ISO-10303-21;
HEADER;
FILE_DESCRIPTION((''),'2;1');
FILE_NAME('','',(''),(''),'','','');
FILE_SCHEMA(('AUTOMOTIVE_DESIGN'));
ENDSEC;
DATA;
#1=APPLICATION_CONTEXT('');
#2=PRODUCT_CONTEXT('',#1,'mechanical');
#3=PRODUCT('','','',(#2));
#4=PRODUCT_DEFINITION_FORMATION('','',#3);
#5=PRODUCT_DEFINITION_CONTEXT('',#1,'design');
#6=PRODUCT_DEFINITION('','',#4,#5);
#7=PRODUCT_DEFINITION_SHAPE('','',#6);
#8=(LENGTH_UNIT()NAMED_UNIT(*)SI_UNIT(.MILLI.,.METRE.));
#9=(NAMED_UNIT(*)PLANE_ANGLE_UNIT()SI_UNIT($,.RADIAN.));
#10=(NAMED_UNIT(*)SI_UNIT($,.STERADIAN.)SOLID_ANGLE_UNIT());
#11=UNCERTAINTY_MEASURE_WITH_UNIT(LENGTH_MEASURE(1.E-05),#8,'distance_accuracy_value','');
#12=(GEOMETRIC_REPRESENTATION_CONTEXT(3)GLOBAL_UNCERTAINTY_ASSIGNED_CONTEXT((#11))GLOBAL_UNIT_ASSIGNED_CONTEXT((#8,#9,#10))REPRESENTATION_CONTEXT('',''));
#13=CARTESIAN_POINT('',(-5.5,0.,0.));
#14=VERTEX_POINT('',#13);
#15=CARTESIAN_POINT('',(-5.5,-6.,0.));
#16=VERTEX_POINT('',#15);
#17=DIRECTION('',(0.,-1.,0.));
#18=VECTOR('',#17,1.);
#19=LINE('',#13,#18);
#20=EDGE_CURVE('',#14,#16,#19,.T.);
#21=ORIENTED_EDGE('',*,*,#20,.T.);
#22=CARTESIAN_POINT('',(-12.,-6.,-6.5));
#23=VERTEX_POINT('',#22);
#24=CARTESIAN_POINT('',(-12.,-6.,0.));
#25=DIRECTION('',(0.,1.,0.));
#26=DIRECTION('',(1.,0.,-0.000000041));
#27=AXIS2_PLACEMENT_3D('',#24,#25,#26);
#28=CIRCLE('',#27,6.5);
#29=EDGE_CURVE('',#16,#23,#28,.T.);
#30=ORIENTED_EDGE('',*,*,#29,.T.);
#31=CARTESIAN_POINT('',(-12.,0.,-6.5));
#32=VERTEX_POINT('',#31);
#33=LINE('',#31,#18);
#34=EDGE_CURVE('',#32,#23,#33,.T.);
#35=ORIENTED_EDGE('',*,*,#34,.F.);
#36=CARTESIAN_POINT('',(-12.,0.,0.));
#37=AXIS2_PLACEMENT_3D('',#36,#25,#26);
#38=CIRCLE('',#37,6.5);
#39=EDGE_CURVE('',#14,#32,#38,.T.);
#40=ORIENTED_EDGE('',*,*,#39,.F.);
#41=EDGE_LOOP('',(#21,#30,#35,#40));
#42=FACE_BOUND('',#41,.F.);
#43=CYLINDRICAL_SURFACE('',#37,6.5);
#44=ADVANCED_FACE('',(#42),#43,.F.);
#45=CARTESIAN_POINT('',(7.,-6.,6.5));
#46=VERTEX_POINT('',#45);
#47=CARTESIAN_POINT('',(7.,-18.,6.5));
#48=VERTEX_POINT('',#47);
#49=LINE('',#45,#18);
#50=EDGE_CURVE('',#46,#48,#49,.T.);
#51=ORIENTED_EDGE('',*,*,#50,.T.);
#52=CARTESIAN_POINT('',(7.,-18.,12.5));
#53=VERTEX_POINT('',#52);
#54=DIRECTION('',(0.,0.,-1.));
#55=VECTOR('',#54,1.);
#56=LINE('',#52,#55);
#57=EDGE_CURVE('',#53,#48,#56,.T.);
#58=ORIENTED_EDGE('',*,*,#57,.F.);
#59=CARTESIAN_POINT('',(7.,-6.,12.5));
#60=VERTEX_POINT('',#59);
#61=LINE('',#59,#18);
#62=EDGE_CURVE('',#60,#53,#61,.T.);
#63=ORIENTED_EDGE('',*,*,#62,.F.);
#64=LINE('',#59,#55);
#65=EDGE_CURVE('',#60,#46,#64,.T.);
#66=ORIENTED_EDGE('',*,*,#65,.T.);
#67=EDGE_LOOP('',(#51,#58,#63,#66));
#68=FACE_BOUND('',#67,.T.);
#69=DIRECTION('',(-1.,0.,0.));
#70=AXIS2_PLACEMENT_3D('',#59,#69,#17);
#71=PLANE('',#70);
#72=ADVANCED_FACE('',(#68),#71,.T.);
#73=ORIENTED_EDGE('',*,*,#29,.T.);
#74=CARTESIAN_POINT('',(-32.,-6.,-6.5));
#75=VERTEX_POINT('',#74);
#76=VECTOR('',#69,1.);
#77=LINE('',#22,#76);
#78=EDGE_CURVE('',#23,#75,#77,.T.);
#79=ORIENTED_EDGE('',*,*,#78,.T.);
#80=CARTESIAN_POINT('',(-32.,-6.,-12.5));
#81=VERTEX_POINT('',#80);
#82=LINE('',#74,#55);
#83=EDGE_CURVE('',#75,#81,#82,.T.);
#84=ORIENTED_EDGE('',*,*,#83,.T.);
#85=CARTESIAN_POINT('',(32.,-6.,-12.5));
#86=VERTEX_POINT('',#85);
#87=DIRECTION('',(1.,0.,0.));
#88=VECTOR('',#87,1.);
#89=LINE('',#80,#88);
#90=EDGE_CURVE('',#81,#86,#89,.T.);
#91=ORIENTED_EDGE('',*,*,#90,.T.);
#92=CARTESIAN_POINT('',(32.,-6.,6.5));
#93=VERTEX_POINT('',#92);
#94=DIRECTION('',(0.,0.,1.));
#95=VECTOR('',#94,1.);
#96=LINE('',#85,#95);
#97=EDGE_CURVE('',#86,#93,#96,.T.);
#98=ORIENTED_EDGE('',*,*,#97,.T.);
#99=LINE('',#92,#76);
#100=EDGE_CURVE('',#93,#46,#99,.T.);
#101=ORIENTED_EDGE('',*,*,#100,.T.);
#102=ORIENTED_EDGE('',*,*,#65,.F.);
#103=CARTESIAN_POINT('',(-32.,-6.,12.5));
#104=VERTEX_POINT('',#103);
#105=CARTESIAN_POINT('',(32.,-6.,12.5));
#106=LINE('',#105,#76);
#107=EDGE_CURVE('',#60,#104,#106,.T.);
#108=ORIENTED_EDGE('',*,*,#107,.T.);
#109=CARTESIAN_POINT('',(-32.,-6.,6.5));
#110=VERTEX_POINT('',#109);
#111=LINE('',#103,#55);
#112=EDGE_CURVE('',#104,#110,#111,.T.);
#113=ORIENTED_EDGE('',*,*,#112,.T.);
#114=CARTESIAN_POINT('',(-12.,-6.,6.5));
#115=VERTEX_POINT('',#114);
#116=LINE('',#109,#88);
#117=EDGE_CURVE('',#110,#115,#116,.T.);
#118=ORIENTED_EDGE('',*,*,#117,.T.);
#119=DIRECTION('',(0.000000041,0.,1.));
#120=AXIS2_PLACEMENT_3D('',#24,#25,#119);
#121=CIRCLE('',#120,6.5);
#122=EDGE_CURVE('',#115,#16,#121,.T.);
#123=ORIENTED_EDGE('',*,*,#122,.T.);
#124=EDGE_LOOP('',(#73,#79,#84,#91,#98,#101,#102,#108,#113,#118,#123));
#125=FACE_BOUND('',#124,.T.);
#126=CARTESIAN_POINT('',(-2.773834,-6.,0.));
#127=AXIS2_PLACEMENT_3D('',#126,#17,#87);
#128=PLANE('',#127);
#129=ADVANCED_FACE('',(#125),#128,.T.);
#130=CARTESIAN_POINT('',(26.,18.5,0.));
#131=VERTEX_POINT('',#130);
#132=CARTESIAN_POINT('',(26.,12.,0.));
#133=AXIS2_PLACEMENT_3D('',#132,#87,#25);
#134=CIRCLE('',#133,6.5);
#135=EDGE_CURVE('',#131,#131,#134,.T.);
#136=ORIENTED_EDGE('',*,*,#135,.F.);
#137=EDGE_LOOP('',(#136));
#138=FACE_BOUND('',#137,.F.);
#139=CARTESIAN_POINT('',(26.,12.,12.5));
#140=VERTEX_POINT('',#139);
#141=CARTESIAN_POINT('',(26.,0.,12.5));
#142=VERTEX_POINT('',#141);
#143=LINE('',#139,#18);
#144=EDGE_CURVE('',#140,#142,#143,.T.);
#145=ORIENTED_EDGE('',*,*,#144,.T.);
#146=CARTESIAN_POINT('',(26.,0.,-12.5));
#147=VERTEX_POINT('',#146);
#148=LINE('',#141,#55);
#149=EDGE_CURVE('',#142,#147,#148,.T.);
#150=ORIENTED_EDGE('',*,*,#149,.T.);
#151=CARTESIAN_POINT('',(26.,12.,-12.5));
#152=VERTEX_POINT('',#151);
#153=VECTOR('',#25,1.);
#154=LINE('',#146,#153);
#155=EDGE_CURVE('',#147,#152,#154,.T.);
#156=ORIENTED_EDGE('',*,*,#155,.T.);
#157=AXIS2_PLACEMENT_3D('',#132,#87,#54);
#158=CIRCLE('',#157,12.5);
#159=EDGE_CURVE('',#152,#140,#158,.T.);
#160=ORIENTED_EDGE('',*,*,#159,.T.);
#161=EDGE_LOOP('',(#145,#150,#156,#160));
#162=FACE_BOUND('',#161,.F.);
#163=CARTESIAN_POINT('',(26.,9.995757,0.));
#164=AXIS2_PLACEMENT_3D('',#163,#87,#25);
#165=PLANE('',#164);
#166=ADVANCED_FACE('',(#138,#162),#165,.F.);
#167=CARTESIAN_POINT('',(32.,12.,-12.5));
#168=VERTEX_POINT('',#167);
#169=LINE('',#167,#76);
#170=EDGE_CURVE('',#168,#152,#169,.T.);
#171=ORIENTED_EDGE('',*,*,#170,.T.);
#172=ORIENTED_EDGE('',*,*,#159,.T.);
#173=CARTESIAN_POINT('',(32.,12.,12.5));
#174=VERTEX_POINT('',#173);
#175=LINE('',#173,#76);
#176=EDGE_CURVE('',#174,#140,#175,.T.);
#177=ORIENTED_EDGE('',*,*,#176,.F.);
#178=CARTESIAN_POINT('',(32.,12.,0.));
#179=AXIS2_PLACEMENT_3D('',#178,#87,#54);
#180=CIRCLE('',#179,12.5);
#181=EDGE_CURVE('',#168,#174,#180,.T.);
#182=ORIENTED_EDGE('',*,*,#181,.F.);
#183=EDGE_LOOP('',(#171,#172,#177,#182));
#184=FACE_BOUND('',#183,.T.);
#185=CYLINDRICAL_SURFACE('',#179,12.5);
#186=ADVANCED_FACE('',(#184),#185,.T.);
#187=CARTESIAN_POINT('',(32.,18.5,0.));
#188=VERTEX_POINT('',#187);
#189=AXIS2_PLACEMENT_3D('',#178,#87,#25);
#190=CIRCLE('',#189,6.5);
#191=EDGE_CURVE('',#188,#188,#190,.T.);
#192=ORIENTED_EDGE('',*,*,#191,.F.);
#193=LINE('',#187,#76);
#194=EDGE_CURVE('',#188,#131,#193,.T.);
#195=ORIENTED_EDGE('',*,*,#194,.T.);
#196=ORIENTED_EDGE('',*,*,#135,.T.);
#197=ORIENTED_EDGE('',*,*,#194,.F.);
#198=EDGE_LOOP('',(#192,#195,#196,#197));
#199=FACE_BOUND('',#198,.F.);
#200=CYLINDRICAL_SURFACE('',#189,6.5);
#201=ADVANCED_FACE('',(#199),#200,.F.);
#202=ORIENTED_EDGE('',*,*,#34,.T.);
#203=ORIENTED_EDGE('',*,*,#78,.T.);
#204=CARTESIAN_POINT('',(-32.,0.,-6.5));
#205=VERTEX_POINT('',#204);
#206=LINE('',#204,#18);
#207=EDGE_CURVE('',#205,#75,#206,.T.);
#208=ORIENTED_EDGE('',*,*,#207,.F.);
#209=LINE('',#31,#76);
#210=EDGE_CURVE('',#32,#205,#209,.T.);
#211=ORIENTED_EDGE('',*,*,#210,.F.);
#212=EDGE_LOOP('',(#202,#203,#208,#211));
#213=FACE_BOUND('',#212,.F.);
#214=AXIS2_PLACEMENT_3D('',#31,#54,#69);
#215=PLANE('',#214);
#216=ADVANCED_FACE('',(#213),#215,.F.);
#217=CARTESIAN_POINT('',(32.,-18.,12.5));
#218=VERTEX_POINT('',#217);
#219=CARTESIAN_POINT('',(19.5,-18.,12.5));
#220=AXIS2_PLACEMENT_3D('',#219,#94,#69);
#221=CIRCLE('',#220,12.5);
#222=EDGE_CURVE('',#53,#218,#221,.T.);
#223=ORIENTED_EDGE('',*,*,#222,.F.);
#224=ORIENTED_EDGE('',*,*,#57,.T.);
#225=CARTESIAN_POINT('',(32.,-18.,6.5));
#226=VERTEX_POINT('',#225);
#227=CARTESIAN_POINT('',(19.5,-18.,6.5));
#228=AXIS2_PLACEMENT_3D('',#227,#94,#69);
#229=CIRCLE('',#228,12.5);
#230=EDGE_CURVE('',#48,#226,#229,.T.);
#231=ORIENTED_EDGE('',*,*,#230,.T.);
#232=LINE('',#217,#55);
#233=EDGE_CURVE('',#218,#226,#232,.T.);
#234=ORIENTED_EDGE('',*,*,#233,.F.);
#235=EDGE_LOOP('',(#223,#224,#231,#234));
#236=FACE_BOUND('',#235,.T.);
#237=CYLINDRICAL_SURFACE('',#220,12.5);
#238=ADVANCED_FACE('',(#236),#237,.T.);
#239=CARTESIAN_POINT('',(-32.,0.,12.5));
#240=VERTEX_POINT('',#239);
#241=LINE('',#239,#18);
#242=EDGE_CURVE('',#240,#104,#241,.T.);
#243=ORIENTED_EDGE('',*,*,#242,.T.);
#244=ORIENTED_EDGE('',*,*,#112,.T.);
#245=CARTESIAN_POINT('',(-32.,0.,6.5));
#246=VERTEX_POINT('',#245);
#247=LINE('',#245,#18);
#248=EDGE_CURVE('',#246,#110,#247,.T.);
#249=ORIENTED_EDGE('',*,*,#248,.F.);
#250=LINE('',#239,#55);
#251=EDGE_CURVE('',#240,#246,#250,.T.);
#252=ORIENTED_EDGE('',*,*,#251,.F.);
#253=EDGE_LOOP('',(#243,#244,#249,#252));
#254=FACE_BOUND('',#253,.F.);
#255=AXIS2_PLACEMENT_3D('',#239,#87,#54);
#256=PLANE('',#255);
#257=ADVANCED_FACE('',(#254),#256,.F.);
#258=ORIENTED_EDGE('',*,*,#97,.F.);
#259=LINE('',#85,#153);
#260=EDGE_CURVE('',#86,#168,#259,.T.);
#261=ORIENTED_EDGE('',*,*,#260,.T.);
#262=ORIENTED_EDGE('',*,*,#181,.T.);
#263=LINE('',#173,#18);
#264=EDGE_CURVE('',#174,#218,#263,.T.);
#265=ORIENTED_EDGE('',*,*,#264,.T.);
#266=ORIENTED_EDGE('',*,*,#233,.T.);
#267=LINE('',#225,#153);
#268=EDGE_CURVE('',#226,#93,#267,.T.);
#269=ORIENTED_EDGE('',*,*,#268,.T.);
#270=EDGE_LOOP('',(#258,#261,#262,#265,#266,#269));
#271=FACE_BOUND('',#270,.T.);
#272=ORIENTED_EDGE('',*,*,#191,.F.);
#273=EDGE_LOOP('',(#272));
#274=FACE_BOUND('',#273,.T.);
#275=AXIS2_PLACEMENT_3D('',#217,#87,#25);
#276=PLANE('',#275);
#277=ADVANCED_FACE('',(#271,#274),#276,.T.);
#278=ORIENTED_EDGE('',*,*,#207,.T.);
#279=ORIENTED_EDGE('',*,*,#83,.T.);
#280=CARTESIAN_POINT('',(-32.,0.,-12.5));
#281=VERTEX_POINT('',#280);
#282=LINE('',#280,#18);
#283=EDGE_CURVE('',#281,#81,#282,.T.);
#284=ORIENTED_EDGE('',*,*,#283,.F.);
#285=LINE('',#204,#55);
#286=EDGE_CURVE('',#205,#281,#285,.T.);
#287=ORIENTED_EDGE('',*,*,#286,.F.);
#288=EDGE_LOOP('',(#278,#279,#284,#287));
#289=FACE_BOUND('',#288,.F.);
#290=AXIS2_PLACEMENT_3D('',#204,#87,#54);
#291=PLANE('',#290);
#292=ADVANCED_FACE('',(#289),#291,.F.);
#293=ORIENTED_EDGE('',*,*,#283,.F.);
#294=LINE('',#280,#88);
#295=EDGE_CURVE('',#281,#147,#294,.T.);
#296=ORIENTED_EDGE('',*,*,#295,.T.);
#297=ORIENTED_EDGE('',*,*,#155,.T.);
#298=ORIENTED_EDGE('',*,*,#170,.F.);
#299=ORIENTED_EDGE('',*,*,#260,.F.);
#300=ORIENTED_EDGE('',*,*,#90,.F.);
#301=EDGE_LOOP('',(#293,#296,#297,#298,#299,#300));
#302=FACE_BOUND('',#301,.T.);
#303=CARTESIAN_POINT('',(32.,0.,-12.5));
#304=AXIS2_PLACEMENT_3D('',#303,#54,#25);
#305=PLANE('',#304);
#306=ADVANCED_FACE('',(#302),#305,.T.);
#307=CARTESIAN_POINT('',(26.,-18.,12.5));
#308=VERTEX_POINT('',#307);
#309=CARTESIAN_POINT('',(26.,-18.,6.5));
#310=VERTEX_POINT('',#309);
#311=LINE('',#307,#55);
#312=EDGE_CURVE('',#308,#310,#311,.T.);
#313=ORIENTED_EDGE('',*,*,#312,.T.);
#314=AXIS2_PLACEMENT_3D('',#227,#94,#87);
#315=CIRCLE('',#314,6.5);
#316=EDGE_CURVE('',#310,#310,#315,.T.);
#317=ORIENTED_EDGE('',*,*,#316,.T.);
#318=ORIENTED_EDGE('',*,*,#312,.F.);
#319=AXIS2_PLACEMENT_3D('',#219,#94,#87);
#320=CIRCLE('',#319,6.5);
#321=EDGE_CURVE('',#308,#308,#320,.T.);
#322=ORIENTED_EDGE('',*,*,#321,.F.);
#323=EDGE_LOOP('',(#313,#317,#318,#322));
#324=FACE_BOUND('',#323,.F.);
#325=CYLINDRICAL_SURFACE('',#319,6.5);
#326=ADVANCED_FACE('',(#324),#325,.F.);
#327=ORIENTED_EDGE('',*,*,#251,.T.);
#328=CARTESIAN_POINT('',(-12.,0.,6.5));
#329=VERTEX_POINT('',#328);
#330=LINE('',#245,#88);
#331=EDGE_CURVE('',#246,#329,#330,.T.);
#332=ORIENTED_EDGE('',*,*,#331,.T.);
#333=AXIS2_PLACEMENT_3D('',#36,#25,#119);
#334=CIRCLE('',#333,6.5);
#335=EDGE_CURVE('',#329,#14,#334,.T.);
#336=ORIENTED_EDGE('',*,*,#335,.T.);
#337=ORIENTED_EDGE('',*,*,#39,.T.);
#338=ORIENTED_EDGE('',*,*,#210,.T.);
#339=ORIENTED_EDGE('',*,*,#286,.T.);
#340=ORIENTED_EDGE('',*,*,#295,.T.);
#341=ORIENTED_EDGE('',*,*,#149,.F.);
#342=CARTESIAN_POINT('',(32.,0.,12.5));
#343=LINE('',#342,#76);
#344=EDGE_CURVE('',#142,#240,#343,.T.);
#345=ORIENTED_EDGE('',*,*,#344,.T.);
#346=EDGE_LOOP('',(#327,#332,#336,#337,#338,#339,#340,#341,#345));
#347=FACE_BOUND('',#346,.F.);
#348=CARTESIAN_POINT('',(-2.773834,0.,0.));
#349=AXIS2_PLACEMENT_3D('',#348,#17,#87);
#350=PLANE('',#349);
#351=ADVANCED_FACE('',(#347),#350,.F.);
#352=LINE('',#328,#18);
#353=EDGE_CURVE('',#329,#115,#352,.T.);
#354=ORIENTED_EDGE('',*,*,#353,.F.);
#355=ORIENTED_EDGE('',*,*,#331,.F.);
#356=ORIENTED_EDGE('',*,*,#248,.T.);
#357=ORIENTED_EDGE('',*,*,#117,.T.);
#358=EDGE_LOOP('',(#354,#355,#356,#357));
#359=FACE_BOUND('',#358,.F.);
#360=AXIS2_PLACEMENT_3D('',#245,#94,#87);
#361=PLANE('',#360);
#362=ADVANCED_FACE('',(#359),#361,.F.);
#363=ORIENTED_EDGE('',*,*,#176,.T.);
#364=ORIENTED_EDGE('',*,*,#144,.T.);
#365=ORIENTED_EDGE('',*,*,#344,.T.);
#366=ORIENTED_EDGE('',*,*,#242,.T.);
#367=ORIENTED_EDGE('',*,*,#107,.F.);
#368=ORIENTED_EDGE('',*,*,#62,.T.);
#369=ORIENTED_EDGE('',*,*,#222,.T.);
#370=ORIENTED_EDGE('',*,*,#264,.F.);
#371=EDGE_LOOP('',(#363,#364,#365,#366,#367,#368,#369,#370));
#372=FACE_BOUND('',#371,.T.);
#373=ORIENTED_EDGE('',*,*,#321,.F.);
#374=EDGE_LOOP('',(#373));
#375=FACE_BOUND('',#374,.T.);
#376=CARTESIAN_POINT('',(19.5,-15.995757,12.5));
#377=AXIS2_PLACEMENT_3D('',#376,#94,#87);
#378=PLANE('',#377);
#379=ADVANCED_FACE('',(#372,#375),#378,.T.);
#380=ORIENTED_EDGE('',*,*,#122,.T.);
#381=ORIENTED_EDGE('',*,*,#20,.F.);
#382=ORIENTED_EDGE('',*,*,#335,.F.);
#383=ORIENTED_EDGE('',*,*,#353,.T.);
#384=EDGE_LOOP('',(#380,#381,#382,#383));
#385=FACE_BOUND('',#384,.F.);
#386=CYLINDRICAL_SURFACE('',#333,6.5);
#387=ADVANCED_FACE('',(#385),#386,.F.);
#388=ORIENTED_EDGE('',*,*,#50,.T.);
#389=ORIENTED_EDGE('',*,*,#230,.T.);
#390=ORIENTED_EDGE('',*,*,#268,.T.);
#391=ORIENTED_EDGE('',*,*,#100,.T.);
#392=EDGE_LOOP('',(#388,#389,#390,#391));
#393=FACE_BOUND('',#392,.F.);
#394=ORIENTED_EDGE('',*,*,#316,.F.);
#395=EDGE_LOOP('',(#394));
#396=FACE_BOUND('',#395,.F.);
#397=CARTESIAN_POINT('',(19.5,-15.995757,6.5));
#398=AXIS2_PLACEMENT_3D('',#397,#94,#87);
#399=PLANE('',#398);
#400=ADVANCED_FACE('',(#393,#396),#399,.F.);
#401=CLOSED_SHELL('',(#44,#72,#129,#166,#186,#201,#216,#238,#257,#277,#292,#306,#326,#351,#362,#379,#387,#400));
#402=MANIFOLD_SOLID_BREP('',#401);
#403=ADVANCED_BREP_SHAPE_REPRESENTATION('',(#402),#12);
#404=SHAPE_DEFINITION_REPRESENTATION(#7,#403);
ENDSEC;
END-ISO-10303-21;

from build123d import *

# Parameters (mm, degrees)
F1_DEPTH = 6
F2_R     = 6.5
F3_DEPTH = 6
F4_R     = 6.5
F5_DEPTH = 6


with BuildPart() as f1:
    # F0 (on Front) → F1 (new body)
    with BuildSketch(Plane.XZ):
        with BuildLine():
            Line((32, -12.5), (32, 12.5))
            Line((32, 12.5), (-32, 12.5))
            Line((-32, 12.5), (-32, 6.5))
            Line((-32, 6.5), (-12, 6.5))
            ThreePointArc((-12, 6.5), (-7.403806, 4.596194), (-5.5, 0))
            ThreePointArc((-5.5, 0), (-7.403806, -4.596194), (-12, -6.5))
            Line((-12, -6.5), (-32, -6.5))
            Line((-32, -6.5), (-32, -12.5))
            Line((-32, -12.5), (-12.5, -12.5))
            Line((-12.5, -12.5), (12.5, -12.5))
            Line((12.5, -12.5), (32, -12.5))
        make_face()
    extrude(amount=F1_DEPTH)

    # F2 (on face) → F3 (join)
    with BuildSketch(Plane.YZ.offset(32)):
        with BuildLine():
            Line((0, 12.5), (0, -12.5))
            Line((0, -12.5), (12, -12.5))
            ThreePointArc((12, -12.5), (24.5, 0), (12, 12.5))
            Line((12, 12.5), (0, 12.5))
        make_face()
        with Locations((12, 0)):
            Circle(F2_R, mode=Mode.SUBTRACT)
    extrude(amount=-F3_DEPTH)

    # F4 (on face) → F5 (join)
    with BuildSketch(Plane.XY.offset(12.5)):
        with BuildLine():
            Line((32, -18), (32, -6))
            Line((32, -6), (7, -6))
            Line((7, -6), (7, -18))
            ThreePointArc((7, -18), (19.5, -30.5), (32, -18))
        make_face()
        with Locations((19.5, -18)):
            Circle(F4_R, mode=Mode.SUBTRACT)
    extrude(amount=-F5_DEPTH)


solid = f1.part
